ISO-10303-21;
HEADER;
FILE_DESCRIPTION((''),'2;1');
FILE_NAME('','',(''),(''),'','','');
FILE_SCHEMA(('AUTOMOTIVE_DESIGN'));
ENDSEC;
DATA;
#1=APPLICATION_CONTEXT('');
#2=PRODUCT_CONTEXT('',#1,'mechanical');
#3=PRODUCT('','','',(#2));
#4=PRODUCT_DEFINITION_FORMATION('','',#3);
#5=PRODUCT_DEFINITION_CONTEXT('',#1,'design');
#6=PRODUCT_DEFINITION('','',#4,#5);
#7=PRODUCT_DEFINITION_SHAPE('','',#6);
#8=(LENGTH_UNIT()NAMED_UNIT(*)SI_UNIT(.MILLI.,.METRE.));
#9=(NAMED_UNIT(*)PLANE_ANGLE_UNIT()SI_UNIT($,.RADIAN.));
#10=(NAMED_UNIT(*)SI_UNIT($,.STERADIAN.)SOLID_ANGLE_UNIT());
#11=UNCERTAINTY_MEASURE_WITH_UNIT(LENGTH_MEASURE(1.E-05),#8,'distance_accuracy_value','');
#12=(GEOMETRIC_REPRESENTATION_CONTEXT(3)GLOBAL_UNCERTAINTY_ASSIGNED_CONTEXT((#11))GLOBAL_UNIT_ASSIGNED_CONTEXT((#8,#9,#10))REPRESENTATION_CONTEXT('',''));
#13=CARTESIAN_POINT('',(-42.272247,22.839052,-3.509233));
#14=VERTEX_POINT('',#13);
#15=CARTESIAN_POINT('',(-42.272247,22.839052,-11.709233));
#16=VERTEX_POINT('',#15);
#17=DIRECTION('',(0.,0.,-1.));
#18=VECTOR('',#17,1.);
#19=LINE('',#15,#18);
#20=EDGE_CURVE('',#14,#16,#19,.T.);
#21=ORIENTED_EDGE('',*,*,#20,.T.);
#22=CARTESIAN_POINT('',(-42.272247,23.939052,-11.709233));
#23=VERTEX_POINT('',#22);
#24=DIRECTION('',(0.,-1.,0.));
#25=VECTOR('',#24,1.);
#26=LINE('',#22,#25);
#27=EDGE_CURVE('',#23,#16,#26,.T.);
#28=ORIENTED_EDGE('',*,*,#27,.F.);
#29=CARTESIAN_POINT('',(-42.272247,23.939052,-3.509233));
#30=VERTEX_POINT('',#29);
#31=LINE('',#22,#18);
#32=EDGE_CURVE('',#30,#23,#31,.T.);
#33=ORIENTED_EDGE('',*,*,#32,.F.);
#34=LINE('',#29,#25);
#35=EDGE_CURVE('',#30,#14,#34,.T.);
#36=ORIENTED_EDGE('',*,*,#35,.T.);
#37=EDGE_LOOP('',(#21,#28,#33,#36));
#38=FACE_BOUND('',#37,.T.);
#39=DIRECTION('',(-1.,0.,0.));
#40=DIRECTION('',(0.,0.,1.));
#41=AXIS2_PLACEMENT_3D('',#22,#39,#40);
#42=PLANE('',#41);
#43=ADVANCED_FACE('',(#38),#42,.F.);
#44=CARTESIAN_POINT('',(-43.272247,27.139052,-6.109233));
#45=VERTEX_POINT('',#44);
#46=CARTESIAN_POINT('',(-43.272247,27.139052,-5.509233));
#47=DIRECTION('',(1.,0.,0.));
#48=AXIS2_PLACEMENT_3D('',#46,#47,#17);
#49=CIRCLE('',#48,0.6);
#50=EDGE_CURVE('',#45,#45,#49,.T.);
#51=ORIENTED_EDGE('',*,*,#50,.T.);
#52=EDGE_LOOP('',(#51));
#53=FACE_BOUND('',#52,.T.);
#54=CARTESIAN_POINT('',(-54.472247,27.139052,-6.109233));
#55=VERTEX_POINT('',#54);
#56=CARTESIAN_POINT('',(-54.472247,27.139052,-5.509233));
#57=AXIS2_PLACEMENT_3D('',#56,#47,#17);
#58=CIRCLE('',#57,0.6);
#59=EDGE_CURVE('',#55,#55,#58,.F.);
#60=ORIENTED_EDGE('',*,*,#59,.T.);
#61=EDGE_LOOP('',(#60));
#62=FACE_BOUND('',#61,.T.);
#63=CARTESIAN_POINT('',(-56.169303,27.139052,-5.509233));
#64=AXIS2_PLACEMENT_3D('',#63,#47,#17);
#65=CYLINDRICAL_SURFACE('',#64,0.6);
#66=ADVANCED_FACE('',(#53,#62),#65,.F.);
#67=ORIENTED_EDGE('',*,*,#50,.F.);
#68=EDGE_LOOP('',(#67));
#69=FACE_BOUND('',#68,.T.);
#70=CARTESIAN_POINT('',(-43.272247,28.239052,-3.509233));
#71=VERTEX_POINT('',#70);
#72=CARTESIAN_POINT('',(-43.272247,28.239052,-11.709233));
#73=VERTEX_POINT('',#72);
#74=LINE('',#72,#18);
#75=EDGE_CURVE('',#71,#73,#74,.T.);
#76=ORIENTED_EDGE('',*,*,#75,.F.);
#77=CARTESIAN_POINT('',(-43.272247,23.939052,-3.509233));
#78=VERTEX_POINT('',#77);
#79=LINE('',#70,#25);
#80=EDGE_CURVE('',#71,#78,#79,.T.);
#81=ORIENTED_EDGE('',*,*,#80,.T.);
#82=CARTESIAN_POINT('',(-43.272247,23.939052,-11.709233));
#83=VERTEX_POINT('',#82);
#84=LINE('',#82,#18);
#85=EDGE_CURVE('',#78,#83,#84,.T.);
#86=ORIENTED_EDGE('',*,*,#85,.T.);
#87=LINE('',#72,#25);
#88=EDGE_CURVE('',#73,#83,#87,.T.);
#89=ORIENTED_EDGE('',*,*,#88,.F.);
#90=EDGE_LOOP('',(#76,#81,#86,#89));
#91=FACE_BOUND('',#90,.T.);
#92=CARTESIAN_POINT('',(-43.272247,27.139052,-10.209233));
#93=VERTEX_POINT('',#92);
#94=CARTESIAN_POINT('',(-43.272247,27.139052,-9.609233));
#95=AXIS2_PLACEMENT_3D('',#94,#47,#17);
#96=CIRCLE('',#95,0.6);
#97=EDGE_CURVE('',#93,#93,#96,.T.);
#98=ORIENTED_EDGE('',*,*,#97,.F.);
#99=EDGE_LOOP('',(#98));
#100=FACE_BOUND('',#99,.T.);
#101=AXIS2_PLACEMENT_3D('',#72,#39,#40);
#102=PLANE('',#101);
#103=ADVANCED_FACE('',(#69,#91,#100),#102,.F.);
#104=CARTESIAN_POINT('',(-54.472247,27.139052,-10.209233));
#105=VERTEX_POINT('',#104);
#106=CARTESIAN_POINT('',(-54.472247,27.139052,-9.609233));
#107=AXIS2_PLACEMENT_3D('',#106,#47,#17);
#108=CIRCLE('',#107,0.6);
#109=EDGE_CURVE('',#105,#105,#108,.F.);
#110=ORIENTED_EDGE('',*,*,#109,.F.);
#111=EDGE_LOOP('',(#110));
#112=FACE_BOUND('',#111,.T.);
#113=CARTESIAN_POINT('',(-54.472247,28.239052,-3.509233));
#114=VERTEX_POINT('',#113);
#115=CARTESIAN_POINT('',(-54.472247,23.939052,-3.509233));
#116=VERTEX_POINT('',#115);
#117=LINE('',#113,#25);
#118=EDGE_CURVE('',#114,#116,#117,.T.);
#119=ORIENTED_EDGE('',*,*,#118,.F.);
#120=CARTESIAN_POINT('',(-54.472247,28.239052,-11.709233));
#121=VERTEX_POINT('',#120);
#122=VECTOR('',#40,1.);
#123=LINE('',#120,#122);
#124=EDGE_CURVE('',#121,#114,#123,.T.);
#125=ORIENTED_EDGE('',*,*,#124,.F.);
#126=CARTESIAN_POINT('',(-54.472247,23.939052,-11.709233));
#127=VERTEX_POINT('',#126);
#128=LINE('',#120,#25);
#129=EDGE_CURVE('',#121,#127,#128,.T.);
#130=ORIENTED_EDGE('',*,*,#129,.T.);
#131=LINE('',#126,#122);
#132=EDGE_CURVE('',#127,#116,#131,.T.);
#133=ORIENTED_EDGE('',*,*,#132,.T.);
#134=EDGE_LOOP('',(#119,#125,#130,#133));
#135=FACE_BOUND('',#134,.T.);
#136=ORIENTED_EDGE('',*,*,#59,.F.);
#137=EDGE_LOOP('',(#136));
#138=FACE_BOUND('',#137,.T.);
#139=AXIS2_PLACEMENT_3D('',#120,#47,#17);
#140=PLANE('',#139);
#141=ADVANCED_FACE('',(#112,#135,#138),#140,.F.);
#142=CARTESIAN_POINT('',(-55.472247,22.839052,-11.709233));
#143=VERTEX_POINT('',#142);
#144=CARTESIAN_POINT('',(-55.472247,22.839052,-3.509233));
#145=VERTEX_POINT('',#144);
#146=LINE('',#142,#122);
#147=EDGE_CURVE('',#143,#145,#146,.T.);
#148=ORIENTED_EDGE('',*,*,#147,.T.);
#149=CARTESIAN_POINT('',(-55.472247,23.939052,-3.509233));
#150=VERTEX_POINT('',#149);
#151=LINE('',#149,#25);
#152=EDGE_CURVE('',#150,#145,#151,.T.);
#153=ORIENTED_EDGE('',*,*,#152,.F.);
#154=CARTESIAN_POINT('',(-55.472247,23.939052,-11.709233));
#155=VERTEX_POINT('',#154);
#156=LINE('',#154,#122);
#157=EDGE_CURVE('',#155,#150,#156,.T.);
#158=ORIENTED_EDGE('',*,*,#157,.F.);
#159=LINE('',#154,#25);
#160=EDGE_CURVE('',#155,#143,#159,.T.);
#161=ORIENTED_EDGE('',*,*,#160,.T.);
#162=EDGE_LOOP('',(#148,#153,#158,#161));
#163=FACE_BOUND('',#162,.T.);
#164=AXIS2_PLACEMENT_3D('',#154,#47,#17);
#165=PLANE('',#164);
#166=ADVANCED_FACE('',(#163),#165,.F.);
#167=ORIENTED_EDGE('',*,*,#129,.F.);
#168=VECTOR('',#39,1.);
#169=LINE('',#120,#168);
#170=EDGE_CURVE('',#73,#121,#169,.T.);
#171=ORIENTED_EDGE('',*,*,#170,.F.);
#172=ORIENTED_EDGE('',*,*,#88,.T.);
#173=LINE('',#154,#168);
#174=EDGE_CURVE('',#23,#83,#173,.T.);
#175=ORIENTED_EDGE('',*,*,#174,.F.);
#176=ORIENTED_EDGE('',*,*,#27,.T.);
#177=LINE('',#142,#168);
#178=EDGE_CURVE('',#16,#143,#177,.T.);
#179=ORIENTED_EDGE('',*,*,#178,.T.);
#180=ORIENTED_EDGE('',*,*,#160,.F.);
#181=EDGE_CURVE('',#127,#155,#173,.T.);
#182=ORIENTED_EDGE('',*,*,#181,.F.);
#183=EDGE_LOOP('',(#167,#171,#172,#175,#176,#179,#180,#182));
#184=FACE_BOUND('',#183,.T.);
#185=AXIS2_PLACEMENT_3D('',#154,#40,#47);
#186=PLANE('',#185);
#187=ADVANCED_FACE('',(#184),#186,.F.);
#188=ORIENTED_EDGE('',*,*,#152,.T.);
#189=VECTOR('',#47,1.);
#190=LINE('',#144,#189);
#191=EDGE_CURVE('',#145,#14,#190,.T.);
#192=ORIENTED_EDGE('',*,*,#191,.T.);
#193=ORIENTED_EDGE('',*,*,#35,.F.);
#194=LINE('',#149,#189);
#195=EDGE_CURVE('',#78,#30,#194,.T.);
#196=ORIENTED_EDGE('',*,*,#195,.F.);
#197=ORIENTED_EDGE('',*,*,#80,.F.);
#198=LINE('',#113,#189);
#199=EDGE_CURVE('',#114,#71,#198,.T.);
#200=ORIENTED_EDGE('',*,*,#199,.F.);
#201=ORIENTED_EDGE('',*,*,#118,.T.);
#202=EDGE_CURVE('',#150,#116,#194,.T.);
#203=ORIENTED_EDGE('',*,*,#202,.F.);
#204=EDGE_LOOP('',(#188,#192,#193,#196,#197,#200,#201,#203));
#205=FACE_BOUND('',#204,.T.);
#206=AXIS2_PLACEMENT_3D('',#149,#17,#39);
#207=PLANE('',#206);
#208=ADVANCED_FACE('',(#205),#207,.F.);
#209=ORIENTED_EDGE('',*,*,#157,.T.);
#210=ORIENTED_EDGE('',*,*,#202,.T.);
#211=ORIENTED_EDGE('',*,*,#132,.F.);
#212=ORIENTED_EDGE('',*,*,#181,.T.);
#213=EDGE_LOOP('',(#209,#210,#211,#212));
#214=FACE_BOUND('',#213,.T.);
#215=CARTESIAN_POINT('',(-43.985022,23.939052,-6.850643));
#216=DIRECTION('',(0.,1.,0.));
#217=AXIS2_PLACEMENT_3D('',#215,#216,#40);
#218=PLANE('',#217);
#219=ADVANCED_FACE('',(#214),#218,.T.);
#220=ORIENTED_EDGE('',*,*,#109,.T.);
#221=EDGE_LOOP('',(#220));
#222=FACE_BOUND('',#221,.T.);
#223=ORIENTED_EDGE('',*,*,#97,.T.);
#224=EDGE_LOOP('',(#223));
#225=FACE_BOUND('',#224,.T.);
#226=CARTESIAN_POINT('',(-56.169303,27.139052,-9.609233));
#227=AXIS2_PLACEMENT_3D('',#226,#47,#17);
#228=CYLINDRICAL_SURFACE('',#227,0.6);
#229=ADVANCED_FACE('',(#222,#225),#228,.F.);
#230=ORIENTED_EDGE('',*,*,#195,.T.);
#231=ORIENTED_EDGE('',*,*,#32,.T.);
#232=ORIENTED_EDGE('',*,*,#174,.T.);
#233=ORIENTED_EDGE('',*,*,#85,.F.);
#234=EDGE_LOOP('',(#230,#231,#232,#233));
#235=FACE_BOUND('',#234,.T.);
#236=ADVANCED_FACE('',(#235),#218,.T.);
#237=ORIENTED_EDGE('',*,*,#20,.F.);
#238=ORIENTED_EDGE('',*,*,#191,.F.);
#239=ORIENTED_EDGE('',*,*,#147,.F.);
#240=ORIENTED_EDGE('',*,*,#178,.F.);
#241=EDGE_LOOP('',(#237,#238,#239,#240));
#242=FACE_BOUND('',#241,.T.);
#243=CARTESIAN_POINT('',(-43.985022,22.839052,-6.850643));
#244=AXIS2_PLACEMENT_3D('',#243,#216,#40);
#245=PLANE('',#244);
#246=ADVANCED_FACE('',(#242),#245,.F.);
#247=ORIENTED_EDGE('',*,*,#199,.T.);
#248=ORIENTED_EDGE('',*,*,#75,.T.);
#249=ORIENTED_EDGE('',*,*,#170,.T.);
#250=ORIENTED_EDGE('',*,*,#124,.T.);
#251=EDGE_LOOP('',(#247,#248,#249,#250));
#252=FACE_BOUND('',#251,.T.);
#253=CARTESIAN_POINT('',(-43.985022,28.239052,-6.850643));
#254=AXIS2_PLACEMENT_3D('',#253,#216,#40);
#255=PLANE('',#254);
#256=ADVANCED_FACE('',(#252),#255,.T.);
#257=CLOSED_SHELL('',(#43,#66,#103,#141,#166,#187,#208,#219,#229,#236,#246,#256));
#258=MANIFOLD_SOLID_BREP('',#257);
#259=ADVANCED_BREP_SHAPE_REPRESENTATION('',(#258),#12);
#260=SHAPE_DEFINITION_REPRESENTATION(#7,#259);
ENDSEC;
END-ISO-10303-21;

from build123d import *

# Parameters (mm, degrees)
SKETCH1_W           = 132
SKETCH1_H           = 82
BOSS_EXTRUDE1_DEPTH = 11
SKETCH2_W           = 112
SKETCH2_H           = 82
BOSS_EXTRUDE2_DEPTH = 43
SKETCH3_R           = 6
CUT_EXTRUDE1_DEPTH  = 112
SCALE1_SCALE        = 0.1


with BuildPart() as part:
    # Sketch1 → Boss-Extrude1 (new body)
    with BuildSketch(Plane(origin=(0, 0, 0), x_dir=(1, 0, 0), z_dir=(0, 1, 0))):
        with Locations((-48.872246696, 7.585903084)):
            Rectangle(SKETCH1_W, SKETCH1_H)
    extrude(amount=BOSS_EXTRUDE1_DEPTH)

    # Sketch2 → Boss-Extrude2 (add)
    with BuildSketch(Plane(origin=(0, 11, 0), x_dir=(1, 0, 0), z_dir=(0, 1, 0))):
        with Locations((-48.872246696, 7.585903084)):
            Rectangle(SKETCH2_W, SKETCH2_H)
    extrude(amount=BOSS_EXTRUDE2_DEPTH)

    # Sketch3 → Cut-Extrude1 (cut)
    with BuildSketch(Plane(origin=(7.127753304, 0, 0), x_dir=(0, 0, -1), z_dir=(1, 0, 0))):
        with Locations((-13.414096916, 43)):
            Circle(SKETCH3_R)
        with Locations((27.585903084, 43)):
            Circle(SKETCH3_R)
    extrude(amount=-CUT_EXTRUDE1_DEPTH, mode=Mode.SUBTRACT)


with BuildPart() as part_1:
    # Scale1: scaled about (-48.872246696, 25.376724614, -7.611825736)
    add(part.part.scale(SCALE1_SCALE).moved(Location((-43.985022026, 22.839052153, -6.850643162))))


solid = part_1.part
